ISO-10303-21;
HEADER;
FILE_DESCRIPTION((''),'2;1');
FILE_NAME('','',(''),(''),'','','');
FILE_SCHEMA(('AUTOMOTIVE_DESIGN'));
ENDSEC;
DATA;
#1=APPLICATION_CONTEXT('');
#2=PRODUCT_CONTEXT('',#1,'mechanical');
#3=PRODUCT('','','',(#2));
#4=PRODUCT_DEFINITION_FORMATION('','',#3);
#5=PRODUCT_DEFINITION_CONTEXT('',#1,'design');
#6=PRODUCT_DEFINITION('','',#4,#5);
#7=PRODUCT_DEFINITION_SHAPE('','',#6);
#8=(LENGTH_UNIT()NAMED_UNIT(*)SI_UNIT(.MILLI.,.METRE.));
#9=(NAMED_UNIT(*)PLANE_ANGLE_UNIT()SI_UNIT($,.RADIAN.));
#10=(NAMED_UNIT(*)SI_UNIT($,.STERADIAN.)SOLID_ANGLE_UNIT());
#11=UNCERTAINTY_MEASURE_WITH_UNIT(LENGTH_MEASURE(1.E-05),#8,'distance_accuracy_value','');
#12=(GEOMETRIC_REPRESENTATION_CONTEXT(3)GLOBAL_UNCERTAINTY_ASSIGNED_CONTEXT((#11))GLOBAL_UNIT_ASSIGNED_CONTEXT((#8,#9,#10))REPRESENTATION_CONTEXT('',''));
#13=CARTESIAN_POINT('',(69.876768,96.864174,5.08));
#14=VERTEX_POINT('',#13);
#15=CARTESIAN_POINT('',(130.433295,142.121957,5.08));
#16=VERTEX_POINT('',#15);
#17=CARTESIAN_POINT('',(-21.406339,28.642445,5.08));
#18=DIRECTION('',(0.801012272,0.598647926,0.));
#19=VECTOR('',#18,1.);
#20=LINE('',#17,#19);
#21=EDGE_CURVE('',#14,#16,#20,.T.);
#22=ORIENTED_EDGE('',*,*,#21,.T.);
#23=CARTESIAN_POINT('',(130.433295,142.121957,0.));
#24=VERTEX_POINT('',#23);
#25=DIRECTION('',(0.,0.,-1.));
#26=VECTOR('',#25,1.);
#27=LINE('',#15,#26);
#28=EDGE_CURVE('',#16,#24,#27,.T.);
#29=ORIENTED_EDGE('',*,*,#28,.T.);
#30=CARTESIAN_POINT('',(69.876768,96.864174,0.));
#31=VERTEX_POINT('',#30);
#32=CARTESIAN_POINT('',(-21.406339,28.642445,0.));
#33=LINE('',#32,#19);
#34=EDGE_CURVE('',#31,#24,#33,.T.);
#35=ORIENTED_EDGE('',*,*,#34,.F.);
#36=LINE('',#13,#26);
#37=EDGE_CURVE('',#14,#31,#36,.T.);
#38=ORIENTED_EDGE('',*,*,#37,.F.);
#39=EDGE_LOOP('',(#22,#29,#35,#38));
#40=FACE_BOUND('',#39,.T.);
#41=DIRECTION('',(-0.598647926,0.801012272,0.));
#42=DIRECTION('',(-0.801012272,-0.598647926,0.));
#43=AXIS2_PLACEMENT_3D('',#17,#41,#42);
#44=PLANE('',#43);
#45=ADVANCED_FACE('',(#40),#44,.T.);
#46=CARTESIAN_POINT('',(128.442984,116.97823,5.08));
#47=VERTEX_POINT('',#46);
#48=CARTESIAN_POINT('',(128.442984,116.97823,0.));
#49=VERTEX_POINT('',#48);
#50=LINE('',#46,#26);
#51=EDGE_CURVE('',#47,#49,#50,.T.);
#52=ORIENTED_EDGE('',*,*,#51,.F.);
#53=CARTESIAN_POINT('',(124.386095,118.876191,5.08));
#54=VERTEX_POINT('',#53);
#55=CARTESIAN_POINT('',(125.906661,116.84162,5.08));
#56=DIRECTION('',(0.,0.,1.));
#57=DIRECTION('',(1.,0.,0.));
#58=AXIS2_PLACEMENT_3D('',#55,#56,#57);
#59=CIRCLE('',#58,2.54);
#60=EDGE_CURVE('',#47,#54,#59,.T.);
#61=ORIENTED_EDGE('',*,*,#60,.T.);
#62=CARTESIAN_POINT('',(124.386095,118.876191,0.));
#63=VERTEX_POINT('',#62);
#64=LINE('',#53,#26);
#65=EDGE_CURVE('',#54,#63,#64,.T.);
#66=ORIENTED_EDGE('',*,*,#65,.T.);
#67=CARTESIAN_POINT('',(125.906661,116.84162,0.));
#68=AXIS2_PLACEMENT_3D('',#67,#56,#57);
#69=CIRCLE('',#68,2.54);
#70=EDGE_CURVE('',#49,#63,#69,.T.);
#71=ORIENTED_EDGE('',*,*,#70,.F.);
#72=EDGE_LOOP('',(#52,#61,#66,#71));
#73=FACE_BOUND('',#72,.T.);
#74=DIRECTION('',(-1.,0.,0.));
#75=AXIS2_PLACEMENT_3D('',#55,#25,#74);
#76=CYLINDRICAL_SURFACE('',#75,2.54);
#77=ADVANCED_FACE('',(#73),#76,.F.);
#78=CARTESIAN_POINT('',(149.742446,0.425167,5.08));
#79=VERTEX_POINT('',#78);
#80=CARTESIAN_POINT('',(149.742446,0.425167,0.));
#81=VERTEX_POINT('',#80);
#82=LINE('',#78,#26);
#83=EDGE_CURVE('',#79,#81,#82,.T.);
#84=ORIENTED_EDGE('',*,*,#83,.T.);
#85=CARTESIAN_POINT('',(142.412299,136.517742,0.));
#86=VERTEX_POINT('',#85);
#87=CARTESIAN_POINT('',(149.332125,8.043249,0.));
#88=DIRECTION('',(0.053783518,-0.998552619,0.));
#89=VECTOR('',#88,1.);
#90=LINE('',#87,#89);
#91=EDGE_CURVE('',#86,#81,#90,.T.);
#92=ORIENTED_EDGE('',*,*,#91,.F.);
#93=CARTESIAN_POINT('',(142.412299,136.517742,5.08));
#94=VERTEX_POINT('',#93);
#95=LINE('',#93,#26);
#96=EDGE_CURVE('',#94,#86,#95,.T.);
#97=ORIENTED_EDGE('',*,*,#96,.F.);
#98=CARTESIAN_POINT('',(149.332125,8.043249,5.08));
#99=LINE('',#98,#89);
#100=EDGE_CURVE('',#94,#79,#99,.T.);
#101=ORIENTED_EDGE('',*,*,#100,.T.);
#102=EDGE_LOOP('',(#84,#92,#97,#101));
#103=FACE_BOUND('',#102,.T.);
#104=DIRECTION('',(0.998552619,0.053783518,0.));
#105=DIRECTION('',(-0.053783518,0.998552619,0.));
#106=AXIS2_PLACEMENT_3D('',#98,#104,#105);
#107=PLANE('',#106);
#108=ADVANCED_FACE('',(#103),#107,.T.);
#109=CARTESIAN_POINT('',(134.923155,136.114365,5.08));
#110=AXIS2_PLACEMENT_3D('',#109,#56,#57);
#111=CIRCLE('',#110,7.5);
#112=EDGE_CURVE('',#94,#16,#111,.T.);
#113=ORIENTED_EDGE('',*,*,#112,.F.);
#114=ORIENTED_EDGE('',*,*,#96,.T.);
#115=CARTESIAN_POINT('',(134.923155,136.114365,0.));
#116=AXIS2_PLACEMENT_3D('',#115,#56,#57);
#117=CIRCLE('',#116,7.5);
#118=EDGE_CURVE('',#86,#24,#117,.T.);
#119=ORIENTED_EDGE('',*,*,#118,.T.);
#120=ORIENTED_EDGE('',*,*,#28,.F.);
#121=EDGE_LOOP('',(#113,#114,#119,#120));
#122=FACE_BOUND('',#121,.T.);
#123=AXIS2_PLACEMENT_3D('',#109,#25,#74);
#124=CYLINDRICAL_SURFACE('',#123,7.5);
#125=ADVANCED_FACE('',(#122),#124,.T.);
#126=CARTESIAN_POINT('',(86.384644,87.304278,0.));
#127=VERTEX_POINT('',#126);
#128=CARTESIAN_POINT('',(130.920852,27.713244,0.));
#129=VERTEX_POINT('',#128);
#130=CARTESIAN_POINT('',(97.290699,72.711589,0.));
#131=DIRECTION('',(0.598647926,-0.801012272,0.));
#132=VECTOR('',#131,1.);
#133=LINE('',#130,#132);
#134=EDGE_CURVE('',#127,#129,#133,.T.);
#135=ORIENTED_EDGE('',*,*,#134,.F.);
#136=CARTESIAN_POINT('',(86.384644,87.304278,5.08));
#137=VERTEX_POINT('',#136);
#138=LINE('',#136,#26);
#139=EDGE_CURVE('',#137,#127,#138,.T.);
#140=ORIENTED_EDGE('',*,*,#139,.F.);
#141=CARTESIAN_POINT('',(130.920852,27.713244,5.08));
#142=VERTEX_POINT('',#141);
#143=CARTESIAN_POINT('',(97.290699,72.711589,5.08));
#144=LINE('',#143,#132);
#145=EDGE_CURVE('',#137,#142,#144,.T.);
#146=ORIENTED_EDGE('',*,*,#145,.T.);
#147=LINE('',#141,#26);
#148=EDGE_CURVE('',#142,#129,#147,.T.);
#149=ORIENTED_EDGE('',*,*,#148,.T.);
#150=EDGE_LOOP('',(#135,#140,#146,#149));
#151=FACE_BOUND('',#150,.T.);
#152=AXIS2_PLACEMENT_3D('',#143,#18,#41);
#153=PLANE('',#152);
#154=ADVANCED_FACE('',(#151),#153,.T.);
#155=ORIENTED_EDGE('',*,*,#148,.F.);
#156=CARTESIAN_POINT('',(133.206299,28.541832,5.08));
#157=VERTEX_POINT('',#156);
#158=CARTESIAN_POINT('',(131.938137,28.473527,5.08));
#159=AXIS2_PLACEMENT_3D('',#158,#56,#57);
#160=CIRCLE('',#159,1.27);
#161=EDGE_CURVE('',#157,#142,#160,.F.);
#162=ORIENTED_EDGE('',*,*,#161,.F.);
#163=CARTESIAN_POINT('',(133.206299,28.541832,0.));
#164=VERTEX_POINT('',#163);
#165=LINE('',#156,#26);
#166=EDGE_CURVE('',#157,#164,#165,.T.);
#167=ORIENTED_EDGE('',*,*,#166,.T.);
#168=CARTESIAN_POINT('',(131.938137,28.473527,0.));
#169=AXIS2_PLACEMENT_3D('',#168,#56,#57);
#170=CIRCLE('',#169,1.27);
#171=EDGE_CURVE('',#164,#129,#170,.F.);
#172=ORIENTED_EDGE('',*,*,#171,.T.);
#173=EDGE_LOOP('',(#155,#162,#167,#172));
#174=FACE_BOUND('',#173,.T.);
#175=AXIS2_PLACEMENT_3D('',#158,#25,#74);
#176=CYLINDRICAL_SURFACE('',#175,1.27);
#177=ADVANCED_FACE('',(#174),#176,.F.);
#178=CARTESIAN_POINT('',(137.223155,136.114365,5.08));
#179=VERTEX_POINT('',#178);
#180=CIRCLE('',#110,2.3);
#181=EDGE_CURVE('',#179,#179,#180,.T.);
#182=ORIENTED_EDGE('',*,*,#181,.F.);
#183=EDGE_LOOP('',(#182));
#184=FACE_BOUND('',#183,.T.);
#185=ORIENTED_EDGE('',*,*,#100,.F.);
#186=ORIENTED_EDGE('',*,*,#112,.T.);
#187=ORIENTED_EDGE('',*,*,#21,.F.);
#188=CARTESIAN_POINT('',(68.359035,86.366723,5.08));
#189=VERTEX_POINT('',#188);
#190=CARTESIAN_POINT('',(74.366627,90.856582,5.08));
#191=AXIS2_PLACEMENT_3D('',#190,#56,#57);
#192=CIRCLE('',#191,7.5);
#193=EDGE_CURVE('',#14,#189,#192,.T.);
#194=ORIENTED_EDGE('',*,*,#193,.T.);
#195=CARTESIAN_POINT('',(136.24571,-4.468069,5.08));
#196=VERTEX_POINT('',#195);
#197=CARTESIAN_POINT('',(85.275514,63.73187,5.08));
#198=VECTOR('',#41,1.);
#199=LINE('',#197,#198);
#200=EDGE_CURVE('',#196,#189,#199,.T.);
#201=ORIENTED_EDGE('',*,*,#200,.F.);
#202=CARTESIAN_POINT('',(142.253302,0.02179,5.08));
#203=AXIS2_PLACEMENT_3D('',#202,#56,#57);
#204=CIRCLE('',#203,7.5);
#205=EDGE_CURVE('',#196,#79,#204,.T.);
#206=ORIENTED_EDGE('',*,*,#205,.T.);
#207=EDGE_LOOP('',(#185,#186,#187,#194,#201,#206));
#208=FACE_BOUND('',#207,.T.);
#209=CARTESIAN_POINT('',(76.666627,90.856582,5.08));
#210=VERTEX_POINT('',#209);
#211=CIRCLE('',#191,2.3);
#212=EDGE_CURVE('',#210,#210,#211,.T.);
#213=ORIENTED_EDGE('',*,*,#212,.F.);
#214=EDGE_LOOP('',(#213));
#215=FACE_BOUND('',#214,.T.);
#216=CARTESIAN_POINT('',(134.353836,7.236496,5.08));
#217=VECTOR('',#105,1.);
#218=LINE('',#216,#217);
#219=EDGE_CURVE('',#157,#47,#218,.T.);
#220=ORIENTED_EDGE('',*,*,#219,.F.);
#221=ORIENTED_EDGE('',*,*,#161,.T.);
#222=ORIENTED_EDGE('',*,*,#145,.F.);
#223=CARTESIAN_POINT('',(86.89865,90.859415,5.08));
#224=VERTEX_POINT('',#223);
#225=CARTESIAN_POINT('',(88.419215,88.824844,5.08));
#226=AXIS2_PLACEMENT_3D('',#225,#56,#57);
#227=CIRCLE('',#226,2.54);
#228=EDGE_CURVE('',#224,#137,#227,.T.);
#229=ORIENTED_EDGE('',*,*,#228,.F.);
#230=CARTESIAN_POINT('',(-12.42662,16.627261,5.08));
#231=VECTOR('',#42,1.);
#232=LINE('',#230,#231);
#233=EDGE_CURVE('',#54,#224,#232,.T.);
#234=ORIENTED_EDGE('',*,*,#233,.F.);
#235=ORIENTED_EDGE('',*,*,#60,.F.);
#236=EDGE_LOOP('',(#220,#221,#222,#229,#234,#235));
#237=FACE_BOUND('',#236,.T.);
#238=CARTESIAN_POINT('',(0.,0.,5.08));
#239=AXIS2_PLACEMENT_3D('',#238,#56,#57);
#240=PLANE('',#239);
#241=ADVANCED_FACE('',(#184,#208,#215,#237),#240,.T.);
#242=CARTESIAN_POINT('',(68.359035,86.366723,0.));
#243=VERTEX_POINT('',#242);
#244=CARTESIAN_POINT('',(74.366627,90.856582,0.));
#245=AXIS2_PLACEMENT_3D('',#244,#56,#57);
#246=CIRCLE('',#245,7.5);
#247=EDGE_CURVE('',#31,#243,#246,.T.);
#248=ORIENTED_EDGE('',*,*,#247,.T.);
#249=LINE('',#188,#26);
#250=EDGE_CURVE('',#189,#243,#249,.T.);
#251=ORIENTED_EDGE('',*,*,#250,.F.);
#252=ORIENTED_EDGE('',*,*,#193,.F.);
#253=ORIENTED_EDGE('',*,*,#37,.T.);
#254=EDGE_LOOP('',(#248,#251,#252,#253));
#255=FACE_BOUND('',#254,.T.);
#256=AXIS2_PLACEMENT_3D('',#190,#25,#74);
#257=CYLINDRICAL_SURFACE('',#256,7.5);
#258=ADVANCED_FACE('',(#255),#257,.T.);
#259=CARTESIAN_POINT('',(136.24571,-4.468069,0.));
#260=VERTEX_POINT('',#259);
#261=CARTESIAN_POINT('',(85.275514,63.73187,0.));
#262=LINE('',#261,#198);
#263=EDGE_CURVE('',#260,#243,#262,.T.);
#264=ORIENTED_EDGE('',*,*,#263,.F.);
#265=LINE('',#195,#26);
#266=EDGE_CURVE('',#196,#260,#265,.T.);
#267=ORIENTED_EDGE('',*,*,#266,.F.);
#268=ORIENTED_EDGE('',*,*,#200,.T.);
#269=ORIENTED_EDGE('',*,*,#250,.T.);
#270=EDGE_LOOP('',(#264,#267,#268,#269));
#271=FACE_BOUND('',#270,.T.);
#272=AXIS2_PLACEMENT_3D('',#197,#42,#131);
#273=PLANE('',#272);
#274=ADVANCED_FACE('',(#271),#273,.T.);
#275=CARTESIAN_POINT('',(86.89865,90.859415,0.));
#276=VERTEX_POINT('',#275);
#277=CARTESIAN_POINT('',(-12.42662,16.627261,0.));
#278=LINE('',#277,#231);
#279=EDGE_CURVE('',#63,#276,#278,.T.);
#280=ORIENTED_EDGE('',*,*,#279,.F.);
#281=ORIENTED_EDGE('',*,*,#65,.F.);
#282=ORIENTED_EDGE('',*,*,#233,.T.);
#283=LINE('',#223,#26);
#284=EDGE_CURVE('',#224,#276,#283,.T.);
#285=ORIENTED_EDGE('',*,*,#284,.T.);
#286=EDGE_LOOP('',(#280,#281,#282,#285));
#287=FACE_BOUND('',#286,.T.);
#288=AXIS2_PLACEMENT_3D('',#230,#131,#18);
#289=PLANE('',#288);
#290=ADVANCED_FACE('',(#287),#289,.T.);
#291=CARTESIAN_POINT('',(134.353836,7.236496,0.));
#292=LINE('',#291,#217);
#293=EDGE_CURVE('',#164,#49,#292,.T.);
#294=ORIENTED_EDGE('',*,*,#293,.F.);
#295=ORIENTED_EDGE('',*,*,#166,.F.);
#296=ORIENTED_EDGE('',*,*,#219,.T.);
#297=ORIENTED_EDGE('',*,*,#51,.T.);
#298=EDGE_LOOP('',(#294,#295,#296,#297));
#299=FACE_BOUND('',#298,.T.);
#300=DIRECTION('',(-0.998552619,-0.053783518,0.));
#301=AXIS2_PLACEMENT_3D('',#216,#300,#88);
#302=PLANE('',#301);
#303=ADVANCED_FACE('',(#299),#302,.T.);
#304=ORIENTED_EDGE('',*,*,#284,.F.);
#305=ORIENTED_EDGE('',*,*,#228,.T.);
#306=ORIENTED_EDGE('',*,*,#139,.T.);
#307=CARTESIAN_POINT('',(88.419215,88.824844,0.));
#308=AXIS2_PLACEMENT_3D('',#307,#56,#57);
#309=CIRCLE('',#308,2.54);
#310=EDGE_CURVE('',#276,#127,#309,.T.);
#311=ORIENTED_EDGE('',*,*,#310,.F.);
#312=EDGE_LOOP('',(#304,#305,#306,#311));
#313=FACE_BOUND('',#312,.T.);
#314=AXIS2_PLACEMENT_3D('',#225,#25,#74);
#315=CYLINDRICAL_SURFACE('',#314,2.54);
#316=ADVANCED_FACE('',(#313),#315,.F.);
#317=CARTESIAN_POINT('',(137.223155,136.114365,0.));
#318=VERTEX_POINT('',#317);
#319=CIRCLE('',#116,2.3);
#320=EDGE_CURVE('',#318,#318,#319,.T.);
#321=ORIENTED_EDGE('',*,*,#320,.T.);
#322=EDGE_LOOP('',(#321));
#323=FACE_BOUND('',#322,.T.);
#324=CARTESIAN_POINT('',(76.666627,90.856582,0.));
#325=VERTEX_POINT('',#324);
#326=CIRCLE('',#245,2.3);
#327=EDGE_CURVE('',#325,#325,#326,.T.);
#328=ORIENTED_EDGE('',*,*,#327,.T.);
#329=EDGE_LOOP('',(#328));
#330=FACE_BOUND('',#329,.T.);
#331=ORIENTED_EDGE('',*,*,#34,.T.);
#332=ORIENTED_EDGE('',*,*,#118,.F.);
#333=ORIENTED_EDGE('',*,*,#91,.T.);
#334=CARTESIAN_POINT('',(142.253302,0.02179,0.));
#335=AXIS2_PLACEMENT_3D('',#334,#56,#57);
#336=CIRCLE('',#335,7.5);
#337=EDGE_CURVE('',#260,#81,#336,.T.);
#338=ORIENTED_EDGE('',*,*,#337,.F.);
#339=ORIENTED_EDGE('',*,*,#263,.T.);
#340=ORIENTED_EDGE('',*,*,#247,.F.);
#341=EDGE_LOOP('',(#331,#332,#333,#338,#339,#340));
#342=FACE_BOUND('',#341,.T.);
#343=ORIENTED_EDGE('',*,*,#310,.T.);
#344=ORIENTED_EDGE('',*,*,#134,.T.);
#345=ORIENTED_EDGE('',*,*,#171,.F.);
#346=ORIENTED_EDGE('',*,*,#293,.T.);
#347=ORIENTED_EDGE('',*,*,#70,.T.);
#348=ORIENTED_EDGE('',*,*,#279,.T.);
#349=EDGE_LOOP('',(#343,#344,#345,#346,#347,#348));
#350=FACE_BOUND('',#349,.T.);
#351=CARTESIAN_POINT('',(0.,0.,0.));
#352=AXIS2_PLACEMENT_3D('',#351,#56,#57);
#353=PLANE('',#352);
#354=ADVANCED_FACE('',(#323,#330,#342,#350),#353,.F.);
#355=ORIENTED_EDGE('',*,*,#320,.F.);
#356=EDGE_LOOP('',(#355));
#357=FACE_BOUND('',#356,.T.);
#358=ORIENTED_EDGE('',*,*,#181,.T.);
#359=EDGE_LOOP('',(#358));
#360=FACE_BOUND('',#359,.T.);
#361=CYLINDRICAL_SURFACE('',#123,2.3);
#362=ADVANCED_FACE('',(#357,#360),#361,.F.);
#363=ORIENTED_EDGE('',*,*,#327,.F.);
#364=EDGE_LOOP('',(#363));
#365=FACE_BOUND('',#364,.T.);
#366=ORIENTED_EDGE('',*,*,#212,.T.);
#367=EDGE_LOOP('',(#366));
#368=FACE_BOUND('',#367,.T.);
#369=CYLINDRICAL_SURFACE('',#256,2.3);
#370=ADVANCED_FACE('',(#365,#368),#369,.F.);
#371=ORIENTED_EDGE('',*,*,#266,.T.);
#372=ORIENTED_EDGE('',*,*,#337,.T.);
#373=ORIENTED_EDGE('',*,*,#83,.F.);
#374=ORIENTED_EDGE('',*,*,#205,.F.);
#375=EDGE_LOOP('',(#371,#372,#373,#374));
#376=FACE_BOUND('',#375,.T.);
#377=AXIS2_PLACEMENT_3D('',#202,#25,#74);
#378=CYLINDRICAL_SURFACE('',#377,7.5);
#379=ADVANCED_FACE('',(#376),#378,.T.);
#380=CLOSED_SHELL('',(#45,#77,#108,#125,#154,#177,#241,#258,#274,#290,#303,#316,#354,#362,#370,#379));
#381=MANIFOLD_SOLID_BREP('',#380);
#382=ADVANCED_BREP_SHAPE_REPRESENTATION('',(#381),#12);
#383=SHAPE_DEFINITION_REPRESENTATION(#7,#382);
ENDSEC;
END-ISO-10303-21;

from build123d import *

# Parameters (mm, degrees)
BOSS_EXTRUDE1_DEPTH = 5.08


with BuildPart() as part:
    # Sketch1 → Boss-Extrude1 (new body)
    with BuildSketch(Plane.XY):
        with BuildLine():
            Line((149.742446498, 0.425166718), (142.412299482, 136.517741625))
            ThreePointArc((142.412299482, 136.517741625), (141.974063379, 138.670668966), (140.930746882, 140.604224682))
            ThreePointArc((140.930746882, 140.604224682), (135.996353851, 143.53718437), (130.433295393, 142.121957281))
            Line((130.433295393, 142.121957281), (69.876767595, 96.864174071))
            ThreePointArc((69.876767595, 96.864174071), (66.943807907, 91.92978104), (68.359034997, 86.366722582))
            Line((68.359034997, 86.366722582), (136.245709811, -4.468069115))
            ThreePointArc((136.245709811, -4.468069115), (139.075136314, -6.771534614), (142.656678242, -7.467354313))
            ThreePointArc((142.656678242, -7.467354313), (144.809605584, -7.02911821), (146.7431613, -5.985801713))
            ThreePointArc((146.7431613, -5.985801713), (149.046626799, -3.15637521), (149.742446498, 0.425166718))
        make_face()
        with BuildLine():
            ThreePointArc((72.989736811, 92.698910254), (76.208955267, 92.233472258), (75.74351727, 89.014253801))
            ThreePointArc((75.74351727, 89.014253801), (72.524298814, 89.479691798), (72.989736811, 92.698910254))
        make_face(mode=Mode.SUBTRACT)
        with BuildLine():
            Line((128.442984245, 116.978229985), (133.206299189, 28.541832403))
            ThreePointArc((133.206299189, 28.541832403), (132.371004795, 27.279573488), (130.920851777, 27.713244469))
            Line((130.920851777, 27.713244469), (86.384644261, 87.304278258))
            ThreePointArc((86.384644261, 87.304278258), (85.90535402, 89.188300722), (86.898649701, 90.859415162))
            Line((86.898649701, 90.859415162), (124.386094861, 118.87619102))
            ThreePointArc((124.386094861, 118.87619102), (126.982999322, 119.142292563), (128.442984245, 116.978229985))
        make_face(mode=Mode.SUBTRACT)
        with BuildLine():
            ThreePointArc((135.046856931, 133.817694213), (132.626483815, 135.990663145), (134.799452746, 138.411036261))
            ThreePointArc((134.799452746, 138.411036261), (137.219825863, 136.238067329), (135.046856931, 133.817694213))
        make_face(mode=Mode.SUBTRACT)
    extrude(amount=BOSS_EXTRUDE1_DEPTH)


solid = part.part
